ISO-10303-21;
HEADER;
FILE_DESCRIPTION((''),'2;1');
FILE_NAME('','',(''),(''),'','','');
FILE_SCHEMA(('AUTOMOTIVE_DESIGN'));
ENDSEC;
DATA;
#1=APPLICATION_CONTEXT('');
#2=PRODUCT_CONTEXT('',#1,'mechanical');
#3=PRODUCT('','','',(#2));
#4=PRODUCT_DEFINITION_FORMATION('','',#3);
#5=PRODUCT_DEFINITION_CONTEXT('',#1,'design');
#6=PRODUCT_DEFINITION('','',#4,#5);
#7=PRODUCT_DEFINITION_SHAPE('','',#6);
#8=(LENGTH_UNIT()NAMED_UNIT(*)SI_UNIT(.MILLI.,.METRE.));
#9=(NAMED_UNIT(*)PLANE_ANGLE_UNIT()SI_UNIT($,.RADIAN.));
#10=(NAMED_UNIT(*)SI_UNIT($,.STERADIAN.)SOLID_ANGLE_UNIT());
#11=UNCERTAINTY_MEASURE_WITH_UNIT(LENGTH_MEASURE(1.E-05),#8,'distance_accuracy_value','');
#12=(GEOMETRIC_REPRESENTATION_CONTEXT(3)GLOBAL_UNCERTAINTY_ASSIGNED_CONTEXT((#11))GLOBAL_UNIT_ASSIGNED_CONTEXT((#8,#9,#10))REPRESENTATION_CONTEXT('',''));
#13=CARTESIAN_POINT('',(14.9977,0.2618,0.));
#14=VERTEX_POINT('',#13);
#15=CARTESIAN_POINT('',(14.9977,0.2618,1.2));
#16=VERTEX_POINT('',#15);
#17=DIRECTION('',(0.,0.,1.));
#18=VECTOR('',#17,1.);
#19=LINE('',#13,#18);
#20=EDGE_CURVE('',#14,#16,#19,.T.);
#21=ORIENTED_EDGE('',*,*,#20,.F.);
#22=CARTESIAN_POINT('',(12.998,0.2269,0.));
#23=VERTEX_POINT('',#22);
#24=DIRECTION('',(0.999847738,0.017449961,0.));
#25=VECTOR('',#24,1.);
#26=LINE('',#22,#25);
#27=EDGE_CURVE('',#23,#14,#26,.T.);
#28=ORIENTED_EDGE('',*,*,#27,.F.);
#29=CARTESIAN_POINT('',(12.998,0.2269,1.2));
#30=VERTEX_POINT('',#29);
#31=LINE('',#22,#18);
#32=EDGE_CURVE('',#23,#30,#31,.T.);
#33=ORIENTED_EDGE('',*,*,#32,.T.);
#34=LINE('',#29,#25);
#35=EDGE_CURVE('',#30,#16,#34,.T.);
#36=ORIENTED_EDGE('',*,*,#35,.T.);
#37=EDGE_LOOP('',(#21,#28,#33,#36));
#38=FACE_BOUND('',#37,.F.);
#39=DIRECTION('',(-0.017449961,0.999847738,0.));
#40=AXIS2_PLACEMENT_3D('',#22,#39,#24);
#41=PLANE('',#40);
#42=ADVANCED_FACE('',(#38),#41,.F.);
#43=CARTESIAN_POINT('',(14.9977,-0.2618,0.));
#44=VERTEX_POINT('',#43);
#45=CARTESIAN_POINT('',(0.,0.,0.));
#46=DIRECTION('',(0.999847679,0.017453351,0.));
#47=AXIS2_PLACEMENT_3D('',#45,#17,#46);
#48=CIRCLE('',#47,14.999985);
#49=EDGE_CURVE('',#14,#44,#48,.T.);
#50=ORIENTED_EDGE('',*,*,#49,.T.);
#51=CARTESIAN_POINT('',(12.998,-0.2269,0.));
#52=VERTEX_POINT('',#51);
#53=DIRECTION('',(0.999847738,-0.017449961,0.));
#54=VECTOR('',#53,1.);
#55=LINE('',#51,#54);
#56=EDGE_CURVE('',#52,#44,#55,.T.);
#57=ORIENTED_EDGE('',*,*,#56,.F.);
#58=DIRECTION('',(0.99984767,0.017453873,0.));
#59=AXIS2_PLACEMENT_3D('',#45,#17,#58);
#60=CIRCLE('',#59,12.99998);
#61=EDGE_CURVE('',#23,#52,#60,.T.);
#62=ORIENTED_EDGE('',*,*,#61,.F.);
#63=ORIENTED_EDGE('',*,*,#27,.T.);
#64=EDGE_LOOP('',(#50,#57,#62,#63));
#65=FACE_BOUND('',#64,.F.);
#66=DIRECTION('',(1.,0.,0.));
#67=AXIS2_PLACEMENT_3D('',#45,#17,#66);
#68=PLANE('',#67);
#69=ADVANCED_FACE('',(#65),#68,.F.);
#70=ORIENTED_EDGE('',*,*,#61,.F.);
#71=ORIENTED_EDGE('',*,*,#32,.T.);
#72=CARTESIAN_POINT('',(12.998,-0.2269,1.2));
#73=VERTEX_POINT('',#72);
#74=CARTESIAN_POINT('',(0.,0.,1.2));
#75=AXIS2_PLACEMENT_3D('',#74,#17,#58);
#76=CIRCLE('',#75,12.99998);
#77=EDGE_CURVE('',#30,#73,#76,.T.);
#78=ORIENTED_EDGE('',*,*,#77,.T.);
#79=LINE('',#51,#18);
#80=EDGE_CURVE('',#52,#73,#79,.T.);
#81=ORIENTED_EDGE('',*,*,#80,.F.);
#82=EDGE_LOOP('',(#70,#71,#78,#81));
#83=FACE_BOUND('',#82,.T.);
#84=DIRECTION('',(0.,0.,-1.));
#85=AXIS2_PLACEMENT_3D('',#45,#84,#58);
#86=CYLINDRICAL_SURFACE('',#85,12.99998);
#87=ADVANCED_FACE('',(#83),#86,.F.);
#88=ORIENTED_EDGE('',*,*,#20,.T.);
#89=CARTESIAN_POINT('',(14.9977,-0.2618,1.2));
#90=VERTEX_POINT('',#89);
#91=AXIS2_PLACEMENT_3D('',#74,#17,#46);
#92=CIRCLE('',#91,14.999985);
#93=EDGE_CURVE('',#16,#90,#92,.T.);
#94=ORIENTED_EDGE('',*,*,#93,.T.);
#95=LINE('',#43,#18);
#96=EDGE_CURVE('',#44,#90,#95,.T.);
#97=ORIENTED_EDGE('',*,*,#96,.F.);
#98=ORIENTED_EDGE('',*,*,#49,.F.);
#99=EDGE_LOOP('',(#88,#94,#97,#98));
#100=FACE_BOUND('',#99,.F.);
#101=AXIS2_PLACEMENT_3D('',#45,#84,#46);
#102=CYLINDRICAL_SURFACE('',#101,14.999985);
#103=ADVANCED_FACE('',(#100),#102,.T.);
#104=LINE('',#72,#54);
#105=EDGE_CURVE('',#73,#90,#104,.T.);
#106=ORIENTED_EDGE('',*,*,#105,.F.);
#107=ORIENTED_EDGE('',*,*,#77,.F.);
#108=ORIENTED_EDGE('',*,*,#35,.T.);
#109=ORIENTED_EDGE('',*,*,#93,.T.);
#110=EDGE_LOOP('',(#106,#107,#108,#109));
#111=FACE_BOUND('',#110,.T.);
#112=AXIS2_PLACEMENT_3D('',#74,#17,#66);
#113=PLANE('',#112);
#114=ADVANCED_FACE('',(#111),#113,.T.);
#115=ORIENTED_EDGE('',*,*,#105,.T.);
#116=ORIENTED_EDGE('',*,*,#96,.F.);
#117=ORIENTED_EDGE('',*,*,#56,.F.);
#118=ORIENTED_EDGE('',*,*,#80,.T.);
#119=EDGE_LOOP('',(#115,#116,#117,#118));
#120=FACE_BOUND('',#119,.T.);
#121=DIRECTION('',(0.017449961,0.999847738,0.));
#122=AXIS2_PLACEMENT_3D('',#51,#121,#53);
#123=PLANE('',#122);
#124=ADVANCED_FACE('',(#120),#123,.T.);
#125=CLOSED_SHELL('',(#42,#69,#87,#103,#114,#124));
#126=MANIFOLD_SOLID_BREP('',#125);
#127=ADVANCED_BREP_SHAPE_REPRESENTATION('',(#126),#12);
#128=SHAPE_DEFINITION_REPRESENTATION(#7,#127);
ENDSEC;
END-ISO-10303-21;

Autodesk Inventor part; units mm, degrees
ref_plane "YZ Plane" through (0, 0, 0) normal (1, 0, 0) x (0, 1, 0)
ref_plane "XZ Plane" through (0, 0, 0) normal (0, 1, 0) x (-1, 0, 0)
ref_plane "XY Plane" through (0, 0, 0) normal (0, 0, 1) x (1, 0, 0)
sketch "Sketch2" plane through (0, 0, 0) normal (0, 0, 1) x (1, 0, 0)
  circle A0 centre (0, 0) radius 13 construction
  circle A1 centre (0, 0) radius 15 construction
  line L0 (12.998, 0.2269) -> (14.9977, 0.2618)
  line L1 (12.998, -0.2269) -> (14.9977, -0.2618)
  arc A2 (12.998, 0.2269) -> (12.998, -0.2269) centre (0, 0) ccw
  arc A3 (14.9977, 0.2618) -> (14.9977, -0.2618) centre (0, 0) ccw
  line L2 (14.9977, -0.2618) -> (0, 0) construction
  line L3 (0, 0) -> (14.9977, 0.2618) construction
  line L4 (-21, 0) -> (21, 0) construction
  line L5 (13.9979, 0.2443) -> (13.9979, 0) construction
  line L6 (13.9979, -0.2443) -> (13.9979, 0) construction
  point P0 (13.9979, 0.2443)
  dimension "d0" = 30
  dimension "d1" = 2
  dimension "d3" = 2
extrude "Extrusion1" add sketch "Sketch2" along normal blind 1.2
properties part number "P027" material "Steel"
